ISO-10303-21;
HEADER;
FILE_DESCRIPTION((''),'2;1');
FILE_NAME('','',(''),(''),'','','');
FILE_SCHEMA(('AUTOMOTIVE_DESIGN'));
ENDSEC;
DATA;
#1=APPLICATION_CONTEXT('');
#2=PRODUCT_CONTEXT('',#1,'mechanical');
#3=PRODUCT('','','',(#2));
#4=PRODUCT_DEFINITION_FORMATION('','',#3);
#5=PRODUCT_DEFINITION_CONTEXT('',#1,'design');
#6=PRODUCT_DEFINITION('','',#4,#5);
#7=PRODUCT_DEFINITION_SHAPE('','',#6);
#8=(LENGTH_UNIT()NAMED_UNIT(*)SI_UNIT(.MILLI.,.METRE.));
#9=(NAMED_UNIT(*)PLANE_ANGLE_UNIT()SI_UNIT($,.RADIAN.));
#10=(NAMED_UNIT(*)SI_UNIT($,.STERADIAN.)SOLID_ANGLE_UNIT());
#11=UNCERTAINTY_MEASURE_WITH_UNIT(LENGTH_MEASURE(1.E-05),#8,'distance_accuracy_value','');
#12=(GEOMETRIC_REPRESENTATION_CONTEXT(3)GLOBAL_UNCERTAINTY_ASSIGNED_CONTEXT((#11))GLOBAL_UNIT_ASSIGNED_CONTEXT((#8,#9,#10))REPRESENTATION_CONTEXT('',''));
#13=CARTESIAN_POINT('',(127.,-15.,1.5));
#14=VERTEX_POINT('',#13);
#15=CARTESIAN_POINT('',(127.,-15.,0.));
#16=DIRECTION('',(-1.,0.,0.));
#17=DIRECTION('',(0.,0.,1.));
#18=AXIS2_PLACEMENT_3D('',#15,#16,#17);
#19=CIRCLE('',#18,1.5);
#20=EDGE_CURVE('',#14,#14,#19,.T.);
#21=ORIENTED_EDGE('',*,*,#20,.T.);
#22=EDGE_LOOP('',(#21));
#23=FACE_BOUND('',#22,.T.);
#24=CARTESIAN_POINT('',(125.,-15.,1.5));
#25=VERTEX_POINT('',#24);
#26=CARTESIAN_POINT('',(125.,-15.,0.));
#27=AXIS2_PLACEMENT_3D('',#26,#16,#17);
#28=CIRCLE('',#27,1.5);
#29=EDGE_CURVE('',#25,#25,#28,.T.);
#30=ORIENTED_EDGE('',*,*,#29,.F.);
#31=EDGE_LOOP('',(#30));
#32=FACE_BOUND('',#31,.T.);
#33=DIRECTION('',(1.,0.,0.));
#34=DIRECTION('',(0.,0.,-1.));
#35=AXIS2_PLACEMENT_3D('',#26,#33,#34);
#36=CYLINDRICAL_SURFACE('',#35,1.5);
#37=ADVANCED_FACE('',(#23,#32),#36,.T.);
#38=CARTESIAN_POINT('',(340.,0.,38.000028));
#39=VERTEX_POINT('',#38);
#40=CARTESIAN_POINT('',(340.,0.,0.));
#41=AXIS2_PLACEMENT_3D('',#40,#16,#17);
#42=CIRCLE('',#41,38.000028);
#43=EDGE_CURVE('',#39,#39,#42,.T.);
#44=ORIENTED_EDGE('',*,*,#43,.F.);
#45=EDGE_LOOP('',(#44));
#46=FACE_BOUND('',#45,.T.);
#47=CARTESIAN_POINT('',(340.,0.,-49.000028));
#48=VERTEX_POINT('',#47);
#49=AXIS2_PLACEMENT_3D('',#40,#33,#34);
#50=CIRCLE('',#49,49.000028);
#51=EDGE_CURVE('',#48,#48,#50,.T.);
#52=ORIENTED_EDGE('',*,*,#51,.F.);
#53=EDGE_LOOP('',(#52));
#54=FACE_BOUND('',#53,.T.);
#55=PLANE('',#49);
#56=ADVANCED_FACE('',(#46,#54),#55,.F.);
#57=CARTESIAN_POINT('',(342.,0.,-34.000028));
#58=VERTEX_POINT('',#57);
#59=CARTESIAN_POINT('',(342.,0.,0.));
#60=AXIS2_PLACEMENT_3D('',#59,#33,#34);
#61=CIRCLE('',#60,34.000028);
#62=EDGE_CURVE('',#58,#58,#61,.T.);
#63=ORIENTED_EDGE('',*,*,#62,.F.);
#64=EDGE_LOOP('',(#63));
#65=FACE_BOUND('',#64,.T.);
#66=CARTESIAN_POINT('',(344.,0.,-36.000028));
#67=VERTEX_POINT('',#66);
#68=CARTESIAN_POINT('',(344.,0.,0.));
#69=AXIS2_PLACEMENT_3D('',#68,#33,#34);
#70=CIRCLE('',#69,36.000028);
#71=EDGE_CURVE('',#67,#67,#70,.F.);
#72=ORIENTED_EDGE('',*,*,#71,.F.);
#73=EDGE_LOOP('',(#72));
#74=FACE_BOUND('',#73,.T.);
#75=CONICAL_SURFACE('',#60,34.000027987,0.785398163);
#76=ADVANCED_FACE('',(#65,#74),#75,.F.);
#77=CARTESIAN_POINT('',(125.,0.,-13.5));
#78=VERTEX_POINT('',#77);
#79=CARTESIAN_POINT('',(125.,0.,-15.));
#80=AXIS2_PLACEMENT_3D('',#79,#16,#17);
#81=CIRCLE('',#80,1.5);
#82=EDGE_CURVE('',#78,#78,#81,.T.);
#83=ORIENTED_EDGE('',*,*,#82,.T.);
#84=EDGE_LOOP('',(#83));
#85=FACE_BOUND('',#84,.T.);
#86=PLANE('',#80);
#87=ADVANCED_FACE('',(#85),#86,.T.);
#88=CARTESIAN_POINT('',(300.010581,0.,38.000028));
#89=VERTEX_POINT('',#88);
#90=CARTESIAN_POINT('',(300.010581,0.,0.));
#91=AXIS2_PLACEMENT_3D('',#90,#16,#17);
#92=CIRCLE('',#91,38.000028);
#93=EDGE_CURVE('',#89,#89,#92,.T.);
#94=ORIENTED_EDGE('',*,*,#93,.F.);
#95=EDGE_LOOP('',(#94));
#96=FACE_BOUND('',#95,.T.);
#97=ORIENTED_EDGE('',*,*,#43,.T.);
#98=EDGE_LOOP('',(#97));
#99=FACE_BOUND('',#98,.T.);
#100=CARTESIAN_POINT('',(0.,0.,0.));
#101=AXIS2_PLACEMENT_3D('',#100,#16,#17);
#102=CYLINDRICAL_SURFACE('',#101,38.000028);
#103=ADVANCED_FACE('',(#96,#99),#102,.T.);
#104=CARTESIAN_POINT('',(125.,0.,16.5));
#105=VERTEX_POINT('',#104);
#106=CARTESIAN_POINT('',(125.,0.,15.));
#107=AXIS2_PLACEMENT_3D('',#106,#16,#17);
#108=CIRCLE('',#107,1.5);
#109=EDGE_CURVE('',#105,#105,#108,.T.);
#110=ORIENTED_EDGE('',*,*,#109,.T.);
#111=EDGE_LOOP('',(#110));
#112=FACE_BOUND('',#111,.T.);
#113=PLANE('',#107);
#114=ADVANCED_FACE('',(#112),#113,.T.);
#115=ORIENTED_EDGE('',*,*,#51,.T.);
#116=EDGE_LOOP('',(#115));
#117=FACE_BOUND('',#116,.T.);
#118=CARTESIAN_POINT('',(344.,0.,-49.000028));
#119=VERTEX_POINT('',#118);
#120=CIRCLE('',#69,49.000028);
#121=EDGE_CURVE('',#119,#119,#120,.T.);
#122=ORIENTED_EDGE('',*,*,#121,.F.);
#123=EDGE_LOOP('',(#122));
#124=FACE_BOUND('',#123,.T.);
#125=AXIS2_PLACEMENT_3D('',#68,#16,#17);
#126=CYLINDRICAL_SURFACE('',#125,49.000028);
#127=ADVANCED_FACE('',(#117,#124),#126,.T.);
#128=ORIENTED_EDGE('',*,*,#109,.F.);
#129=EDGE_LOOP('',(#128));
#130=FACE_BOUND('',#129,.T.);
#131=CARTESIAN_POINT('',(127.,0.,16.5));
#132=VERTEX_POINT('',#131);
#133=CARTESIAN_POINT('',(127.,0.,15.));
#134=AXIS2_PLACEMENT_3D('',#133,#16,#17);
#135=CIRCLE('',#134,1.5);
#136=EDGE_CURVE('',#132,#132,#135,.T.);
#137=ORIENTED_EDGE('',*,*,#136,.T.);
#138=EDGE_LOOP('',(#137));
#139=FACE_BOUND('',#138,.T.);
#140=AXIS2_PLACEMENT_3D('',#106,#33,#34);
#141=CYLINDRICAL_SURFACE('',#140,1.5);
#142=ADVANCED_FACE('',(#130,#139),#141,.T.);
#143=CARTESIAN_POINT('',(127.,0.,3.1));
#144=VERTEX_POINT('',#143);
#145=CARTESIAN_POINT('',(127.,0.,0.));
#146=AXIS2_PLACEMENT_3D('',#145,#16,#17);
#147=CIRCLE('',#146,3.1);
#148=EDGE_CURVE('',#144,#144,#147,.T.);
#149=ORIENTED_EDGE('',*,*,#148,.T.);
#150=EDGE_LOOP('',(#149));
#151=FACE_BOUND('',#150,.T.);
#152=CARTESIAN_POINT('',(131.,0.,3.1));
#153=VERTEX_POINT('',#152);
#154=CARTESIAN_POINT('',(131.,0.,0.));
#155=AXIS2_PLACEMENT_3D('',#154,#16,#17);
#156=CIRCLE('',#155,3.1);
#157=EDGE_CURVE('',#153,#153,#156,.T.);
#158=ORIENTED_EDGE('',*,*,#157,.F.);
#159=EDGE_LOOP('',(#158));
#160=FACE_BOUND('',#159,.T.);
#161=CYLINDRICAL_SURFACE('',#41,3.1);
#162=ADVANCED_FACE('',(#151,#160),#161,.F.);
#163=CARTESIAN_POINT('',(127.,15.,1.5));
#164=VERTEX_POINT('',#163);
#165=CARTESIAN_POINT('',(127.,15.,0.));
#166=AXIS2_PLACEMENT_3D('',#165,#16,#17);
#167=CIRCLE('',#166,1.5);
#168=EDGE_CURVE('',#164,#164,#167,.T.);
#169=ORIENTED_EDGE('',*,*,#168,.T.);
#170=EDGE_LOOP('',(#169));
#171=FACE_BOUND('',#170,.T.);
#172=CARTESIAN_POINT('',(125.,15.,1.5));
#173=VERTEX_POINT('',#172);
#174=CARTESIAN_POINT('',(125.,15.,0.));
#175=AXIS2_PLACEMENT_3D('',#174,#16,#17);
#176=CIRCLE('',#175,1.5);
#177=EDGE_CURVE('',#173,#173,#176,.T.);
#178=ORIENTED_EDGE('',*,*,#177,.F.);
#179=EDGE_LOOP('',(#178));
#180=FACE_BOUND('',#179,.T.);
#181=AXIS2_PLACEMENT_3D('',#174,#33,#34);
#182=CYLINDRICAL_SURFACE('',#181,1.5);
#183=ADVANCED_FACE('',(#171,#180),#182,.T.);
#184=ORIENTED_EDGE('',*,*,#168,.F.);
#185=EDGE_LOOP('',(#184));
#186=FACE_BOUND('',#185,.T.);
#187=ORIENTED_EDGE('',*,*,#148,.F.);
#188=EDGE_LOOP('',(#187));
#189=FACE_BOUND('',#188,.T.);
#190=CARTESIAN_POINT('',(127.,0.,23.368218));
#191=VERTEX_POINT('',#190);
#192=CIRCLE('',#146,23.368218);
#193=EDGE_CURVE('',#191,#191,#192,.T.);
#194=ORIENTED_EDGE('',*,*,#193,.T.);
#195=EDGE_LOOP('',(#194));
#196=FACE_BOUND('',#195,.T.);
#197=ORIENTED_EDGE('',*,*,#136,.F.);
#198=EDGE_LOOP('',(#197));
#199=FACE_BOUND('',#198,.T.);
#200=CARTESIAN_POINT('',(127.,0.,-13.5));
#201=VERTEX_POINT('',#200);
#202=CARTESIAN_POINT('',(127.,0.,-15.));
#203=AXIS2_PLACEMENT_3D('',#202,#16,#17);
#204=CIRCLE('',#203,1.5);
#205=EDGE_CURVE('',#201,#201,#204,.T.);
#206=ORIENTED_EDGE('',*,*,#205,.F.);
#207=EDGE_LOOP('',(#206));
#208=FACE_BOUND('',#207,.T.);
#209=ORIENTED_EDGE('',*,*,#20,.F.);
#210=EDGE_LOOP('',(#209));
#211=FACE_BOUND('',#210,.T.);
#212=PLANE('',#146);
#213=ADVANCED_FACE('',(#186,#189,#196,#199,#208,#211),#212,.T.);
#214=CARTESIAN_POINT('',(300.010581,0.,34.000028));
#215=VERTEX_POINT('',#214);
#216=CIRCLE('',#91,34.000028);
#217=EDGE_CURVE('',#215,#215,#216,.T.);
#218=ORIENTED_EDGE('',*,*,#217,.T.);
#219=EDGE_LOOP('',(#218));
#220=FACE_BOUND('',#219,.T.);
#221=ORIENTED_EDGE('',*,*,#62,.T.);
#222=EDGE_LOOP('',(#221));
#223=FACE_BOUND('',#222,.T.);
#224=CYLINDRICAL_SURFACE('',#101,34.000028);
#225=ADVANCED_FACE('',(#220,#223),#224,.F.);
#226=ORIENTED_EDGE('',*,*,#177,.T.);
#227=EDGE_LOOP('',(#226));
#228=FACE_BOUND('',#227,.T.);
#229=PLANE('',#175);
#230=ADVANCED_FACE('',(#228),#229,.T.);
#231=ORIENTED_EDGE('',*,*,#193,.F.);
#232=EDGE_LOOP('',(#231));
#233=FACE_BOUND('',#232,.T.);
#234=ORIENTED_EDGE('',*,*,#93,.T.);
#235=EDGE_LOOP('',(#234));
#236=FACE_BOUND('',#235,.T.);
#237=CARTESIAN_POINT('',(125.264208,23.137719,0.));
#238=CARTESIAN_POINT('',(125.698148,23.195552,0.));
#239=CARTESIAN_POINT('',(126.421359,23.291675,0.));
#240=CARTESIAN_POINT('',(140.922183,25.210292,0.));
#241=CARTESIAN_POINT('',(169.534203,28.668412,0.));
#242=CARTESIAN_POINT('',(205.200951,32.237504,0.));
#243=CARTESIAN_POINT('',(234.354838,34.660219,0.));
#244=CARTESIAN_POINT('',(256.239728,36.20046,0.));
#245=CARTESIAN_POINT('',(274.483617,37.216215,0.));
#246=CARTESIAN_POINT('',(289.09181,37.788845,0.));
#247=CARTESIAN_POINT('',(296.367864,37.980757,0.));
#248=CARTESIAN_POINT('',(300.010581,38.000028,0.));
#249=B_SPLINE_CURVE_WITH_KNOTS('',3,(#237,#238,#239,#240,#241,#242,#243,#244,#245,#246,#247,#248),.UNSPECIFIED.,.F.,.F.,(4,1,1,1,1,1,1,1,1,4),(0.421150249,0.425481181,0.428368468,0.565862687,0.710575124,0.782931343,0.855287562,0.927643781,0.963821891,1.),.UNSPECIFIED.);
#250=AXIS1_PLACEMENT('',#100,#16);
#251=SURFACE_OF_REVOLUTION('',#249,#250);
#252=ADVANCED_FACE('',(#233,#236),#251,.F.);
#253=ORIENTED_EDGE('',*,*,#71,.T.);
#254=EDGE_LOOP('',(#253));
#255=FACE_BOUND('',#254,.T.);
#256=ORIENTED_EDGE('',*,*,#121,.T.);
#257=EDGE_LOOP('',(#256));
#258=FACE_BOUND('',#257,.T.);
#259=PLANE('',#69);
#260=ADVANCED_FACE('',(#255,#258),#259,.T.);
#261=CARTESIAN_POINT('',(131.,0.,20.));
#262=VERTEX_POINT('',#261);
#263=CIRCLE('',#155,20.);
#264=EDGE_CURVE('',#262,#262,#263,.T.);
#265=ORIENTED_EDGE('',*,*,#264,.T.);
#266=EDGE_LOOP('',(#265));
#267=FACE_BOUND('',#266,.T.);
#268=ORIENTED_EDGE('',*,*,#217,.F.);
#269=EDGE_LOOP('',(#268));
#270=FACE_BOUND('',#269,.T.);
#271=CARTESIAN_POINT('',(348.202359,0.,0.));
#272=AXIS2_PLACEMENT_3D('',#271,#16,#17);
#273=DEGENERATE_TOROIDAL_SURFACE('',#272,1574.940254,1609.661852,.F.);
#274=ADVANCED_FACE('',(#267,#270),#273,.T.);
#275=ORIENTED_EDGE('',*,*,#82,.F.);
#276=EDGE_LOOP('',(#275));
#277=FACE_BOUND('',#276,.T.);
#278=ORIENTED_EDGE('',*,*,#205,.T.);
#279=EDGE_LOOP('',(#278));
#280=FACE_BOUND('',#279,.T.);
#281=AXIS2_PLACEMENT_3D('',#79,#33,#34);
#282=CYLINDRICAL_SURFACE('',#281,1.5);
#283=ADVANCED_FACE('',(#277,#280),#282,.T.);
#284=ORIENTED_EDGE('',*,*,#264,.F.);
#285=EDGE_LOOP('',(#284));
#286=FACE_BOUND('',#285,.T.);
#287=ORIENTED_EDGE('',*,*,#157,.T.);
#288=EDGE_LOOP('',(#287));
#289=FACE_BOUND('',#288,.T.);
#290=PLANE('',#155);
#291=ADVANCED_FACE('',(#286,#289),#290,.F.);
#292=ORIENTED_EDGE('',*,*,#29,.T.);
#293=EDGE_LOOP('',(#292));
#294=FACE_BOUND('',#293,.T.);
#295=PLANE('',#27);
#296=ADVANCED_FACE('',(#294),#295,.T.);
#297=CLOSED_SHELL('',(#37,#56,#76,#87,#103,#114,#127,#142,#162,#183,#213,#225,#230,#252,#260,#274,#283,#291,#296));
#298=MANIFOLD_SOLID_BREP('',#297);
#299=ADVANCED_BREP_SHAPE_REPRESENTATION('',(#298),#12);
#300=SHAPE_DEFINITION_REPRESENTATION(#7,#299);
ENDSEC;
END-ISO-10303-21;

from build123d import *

# Parameters (mm, degrees)
SKETCH3_R           = 3.1
CUT_EXTRUDE1_DEPTH  = 222.614539842
BOSS_EXTRUDE1_START = 4
SKETCH4_R           = 49.000027987
SKETCH4_R_2         = 34.000027987
BOSS_EXTRUDE1_DEPTH = 4
CHAMFER1_SIZE       = 2
SKETCH5_R           = 1.5
BOSS_EXTRUDE2_DEPTH = 2


with BuildPart() as part:
    # Sketch2 → Revolve1 (revolve)
    with BuildSketch(Plane.XY, mode=Mode.PRIVATE) as revolve1_sk:
        with BuildLine():
            Line((340, 38.000027987), (300.010580524, 38.000027987))
            add(Edge.make_bspline(
                [(127, 23.368217816), (127.144658905, 23.387357923), (141.067067172, 25.227802685), (169.534203287, 28.668411554), (205.200950651, 32.237503735), (234.354838071, 34.660219308), (256.239727532, 36.200460456), (274.483617298, 37.216214614), (289.091810146, 37.788845449), (296.367863688, 37.980756791), (300.010580524, 38.000027987)],
                knots=[0.426924824, 0.426924824, 0.426924824, 0.426924824, 0.428368468, 0.565862687, 0.710575124, 0.782931343, 0.855287562, 0.927643781, 0.963821891, 1, 1, 1, 1], degree=3))
            Line((127, 23.368217816), (127, 0))
            Line((127, 0), (131, 0))
            Line((131, 0), (131, 20))
            ThreePointArc((131, 20), (215.320786735, 29.227370129), (300.010580524, 34.000027987))
            Line((300.010580524, 34.000027987), (340, 34.000027987))
            Line((340, 34.000027987), (340, 38.000027987))
        make_face()
    revolve(revolve1_sk.sketch.rotate(Axis((0, 0, 0), (1, 0, 0)), 90), axis=Axis((0, 0, 0), (1, 0, 0)))

    # Sketch3 → Cut-Extrude1 (cut, through all)
    with BuildSketch(Plane.ZY.offset(-125)):
        Circle(SKETCH3_R)
    extrude(amount=-CUT_EXTRUDE1_DEPTH, mode=Mode.SUBTRACT)

    # Sketch4 → Boss-Extrude1 (add)
    with BuildSketch(Plane(origin=(340, 0, 0), x_dir=(0, 0, -1), z_dir=(1, 0, 0)).offset(BOSS_EXTRUDE1_START)):
        Circle(SKETCH4_R)
        with Locations(Location((0, 0, 0), (0, 0, 180))):
            Circle(SKETCH4_R_2, mode=Mode.SUBTRACT)
    extrude(amount=-BOSS_EXTRUDE1_DEPTH)

    # Chamfer1
    chamfer1_edges = [part.edges().sort_by_distance(p)[0] for p in [
        (344, 0, -34.000027987),
    ]]
    chamfer(chamfer1_edges, length=CHAMFER1_SIZE)

    # Sketch5 → Boss-Extrude2 (add)
    with BuildSketch(Plane.ZY.offset(-127)):
        with Locations((0, 15)):
            Circle(SKETCH5_R)
        with Locations((15, 0)):
            Circle(SKETCH5_R)
        with Locations((-15, 0)):
            Circle(SKETCH5_R)
        with Locations((0, -15)):
            Circle(SKETCH5_R)
    extrude(amount=BOSS_EXTRUDE2_DEPTH)


solid = part.part
